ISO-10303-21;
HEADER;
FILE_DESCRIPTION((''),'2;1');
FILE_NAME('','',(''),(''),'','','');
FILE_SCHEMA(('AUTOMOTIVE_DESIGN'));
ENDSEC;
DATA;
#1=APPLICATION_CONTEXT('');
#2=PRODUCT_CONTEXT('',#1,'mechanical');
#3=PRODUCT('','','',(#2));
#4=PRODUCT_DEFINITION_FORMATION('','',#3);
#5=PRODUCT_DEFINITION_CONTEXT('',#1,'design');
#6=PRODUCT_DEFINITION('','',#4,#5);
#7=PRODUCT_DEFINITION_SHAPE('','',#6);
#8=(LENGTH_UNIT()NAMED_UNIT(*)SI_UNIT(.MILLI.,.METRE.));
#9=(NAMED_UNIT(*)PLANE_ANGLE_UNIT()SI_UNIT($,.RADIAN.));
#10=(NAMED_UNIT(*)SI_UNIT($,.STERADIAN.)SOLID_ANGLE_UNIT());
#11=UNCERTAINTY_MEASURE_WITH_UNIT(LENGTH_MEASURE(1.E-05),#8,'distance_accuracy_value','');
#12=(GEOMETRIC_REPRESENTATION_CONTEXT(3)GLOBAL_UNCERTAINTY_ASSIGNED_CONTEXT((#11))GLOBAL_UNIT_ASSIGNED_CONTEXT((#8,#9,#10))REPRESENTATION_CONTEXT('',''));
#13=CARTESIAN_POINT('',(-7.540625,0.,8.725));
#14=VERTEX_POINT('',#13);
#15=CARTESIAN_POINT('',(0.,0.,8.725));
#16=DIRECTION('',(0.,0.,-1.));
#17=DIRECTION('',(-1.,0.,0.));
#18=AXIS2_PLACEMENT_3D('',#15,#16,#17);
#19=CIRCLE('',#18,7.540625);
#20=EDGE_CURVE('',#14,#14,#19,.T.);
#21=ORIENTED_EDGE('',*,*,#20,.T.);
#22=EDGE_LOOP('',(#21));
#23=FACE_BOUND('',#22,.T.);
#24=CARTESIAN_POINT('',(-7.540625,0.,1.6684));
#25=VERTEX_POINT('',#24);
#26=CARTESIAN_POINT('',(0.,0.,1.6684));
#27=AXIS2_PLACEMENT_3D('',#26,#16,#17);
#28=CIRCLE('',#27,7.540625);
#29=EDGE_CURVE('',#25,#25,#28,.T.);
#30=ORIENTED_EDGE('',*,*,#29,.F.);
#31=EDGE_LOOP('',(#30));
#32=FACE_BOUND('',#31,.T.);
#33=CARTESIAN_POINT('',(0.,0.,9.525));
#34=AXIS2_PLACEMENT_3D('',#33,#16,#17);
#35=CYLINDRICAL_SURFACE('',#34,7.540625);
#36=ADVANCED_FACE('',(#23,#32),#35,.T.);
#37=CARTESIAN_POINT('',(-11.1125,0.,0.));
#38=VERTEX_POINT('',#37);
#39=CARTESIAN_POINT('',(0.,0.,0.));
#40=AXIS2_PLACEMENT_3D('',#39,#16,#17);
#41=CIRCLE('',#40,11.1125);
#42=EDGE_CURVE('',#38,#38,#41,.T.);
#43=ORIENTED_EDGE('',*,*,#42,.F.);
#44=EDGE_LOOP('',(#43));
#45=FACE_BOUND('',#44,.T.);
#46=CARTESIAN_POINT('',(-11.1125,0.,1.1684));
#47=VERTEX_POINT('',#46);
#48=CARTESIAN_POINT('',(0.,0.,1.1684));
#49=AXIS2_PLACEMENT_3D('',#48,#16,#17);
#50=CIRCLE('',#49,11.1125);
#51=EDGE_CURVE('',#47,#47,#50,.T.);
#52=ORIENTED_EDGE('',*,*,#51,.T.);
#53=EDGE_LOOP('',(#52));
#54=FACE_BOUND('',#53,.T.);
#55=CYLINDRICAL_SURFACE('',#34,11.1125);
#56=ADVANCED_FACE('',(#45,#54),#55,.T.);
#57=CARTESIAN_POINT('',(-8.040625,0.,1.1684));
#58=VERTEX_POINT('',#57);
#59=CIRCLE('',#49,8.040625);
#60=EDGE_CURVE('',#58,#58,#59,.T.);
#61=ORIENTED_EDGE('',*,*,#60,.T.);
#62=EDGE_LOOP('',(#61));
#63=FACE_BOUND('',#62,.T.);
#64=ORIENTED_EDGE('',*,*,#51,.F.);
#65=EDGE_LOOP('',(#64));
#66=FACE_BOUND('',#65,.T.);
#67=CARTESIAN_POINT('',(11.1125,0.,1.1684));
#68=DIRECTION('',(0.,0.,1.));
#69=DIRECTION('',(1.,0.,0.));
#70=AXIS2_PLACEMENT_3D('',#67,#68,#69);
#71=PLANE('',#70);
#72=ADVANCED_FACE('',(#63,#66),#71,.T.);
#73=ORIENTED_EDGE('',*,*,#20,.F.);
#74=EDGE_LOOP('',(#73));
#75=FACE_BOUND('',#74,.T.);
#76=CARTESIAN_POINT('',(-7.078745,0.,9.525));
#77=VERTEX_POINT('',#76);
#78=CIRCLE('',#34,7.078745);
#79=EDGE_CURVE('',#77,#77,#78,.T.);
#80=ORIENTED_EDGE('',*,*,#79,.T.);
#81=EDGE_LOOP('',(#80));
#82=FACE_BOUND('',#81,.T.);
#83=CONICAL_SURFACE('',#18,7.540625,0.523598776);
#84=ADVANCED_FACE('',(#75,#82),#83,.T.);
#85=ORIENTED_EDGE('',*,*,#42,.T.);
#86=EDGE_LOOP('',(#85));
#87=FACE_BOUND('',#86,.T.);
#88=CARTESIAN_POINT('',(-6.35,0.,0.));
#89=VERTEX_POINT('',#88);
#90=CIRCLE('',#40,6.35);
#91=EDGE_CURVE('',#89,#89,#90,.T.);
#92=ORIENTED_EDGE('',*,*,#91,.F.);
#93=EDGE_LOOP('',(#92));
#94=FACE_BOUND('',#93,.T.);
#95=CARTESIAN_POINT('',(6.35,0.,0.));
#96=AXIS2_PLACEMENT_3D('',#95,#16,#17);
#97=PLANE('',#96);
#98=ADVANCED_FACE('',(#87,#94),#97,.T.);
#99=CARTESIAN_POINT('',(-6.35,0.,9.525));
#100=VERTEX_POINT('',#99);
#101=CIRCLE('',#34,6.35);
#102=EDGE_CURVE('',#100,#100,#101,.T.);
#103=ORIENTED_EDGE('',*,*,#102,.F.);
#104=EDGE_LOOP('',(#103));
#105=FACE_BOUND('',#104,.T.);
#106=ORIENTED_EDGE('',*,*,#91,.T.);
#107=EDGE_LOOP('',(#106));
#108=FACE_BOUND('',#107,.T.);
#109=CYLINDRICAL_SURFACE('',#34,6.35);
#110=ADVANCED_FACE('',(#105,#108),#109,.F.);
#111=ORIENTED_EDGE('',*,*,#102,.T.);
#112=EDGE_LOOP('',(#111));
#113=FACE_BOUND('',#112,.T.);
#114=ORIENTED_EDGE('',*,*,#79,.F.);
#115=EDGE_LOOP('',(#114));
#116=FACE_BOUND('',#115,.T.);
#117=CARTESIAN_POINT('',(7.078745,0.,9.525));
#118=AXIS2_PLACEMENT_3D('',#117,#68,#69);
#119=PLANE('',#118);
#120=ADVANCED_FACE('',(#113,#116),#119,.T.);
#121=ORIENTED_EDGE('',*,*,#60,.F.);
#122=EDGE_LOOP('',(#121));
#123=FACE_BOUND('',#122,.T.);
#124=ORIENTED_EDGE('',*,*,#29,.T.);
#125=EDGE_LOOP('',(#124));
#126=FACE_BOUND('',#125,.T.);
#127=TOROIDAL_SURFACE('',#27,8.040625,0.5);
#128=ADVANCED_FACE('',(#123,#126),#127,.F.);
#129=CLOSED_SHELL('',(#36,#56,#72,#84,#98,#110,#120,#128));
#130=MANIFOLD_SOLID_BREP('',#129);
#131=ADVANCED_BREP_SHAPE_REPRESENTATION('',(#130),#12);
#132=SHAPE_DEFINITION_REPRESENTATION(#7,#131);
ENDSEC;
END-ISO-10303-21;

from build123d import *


with BuildPart() as part:
    # Sketch1 → Revolve1 (revolve)
    with BuildSketch(Plane.XZ):
        with BuildLine():
            Line((7.540625, 1.6684), (7.540625, 8.725))
            Line((7.540625, 8.725), (7.078744785, 9.525))
            Line((7.078744785, 9.525), (6.35, 9.525))
            Line((6.35, 9.525), (6.35, 0))
            Line((6.35, 0), (11.1125, 0))
            Line((11.1125, 0), (11.1125, 1.1684))
            Line((11.1125, 1.1684), (8.040625, 1.1684))
            ThreePointArc((8.040625, 1.1684), (7.687071609, 1.314846609), (7.540625, 1.6684))
        make_face()
    revolve(axis=Axis((0, 0, 9.525), (0, 0, -1)))


solid = part.part
